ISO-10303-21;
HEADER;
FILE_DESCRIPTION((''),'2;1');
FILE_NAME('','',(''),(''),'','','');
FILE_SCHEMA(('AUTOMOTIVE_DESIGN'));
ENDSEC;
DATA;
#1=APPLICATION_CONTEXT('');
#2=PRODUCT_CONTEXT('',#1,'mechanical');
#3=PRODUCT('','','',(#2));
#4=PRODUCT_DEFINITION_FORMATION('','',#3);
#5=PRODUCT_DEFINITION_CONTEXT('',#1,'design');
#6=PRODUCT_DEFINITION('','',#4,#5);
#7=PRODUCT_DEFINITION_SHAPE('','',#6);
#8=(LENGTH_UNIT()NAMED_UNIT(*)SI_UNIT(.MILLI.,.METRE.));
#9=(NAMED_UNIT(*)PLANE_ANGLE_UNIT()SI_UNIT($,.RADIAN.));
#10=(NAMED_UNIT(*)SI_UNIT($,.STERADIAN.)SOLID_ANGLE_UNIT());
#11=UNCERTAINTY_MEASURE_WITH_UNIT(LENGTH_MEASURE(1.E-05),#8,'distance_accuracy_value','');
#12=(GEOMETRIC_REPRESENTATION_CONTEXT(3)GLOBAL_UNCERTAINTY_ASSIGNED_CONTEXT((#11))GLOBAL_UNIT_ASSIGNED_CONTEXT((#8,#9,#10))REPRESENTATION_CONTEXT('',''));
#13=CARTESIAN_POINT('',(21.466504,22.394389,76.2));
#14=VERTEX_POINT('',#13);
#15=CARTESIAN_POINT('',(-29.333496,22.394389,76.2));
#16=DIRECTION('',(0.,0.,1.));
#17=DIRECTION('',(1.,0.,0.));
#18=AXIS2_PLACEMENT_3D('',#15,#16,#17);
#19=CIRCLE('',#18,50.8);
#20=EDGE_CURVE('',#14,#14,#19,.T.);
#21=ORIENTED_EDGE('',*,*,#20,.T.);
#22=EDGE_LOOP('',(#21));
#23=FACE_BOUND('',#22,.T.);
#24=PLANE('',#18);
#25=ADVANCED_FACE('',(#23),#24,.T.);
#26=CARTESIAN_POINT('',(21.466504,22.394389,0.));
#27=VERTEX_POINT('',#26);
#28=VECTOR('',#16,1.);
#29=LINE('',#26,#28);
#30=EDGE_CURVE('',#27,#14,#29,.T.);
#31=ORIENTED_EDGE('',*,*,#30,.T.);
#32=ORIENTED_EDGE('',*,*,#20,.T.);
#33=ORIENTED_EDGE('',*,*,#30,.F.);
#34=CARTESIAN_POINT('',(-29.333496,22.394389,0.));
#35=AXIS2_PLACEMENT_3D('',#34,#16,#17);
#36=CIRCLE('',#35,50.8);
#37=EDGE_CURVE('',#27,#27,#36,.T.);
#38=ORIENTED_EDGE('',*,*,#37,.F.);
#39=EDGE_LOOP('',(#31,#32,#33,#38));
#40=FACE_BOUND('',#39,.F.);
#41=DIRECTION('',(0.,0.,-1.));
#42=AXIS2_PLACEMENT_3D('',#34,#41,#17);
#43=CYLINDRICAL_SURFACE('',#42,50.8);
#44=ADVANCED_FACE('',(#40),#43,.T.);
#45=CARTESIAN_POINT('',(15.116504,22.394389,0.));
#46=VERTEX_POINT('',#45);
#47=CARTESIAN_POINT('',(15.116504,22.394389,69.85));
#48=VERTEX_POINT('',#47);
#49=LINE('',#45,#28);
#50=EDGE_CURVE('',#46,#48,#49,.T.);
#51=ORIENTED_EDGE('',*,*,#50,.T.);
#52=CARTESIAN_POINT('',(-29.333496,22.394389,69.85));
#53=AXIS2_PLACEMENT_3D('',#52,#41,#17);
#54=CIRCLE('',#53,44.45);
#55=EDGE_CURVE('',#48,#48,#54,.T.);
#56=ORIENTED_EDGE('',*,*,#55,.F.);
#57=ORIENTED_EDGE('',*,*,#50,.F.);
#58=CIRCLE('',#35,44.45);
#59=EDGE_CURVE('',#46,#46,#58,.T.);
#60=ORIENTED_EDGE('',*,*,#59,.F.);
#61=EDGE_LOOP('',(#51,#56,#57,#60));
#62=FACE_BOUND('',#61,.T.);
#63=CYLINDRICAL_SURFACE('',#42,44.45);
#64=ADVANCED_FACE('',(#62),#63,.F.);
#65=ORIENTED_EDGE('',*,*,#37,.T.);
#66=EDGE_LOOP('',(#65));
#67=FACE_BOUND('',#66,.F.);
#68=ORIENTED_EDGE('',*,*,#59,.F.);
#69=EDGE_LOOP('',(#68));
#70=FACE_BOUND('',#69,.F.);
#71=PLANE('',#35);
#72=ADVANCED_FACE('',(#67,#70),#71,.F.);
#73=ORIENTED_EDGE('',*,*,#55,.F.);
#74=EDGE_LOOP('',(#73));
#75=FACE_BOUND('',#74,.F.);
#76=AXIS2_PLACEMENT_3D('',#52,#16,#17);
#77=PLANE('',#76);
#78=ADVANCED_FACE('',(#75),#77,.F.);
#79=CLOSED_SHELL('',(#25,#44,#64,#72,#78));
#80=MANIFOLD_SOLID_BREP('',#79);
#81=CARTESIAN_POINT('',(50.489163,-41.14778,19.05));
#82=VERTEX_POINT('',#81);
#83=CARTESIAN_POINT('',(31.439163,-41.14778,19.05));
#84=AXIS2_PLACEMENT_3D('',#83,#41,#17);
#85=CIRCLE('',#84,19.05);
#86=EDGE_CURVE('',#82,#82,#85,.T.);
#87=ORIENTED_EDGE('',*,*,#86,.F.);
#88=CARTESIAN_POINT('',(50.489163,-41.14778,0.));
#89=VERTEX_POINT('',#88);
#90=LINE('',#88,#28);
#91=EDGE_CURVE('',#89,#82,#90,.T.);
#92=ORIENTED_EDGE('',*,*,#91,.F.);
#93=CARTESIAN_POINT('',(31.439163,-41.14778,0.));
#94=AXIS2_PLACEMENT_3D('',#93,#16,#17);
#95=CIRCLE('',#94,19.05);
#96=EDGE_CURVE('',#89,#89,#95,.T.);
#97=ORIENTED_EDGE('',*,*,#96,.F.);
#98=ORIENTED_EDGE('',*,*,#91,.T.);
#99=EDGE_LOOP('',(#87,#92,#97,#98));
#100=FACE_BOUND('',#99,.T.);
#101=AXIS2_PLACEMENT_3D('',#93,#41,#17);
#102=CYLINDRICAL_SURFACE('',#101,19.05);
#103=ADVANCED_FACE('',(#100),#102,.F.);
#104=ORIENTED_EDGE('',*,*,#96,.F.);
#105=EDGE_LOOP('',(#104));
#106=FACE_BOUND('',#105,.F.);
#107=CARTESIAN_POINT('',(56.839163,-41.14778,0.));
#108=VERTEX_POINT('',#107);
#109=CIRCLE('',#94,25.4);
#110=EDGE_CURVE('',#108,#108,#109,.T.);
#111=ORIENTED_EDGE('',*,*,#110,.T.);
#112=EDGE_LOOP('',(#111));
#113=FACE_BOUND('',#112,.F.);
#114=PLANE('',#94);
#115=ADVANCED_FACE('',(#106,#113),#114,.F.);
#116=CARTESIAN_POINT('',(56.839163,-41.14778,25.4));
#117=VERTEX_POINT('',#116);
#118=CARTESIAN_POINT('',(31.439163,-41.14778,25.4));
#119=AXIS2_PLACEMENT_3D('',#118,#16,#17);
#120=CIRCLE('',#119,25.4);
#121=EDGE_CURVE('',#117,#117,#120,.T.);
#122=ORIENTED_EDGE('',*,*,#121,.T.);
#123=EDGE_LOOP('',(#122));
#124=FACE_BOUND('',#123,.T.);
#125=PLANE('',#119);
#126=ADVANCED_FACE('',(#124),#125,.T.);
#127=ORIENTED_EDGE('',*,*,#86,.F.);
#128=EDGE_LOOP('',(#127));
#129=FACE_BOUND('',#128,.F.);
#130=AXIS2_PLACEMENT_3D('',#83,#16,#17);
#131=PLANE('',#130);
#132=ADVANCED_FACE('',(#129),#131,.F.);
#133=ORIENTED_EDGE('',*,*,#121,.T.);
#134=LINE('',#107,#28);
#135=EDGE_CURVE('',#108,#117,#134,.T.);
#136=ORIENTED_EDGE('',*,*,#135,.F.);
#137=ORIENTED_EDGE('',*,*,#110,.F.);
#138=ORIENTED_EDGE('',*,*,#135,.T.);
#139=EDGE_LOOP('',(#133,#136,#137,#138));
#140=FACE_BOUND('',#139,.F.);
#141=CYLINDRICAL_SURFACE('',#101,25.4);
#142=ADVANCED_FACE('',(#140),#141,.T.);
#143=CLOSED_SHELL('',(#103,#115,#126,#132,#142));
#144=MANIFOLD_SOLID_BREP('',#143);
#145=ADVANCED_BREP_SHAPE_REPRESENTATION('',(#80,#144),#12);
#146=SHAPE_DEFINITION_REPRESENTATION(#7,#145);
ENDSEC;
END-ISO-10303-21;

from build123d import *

# Parameters (mm, degrees)
F0_R     = 50.8
F2_DEPTH = 76.2
F1_R     = 25.4
F3_DEPTH = 25.4
F4_T     = -6.35
F5_T     = -6.35


with BuildPart() as f2:
    # F0 (on Top) → F2 (new body)
    with BuildSketch(Plane.XY):
        with Locations((-29.333496, 22.394389)):
            Circle(F0_R)
    extrude(amount=F2_DEPTH)

    # F4
    f4_openings = [f2.faces().sort_by_distance(p)[0] for p in [
        (-29.333496, 22.394389, 0),
    ]]
    offset(amount=F4_T, openings=f4_openings)


with BuildPart() as f3:
    # F1 (on Top) → F3 (new body)
    with BuildSketch(Plane.XY):
        with Locations((31.439163, -41.14778)):
            Circle(F1_R)
    extrude(amount=F3_DEPTH)

    # F5
    f5_openings = [f3.faces().sort_by_distance(p)[0] for p in [
        (31.439163, -41.14778, 0),
    ]]
    offset(amount=F5_T, openings=f5_openings)


solid = Compound([f2.part, f3.part])
